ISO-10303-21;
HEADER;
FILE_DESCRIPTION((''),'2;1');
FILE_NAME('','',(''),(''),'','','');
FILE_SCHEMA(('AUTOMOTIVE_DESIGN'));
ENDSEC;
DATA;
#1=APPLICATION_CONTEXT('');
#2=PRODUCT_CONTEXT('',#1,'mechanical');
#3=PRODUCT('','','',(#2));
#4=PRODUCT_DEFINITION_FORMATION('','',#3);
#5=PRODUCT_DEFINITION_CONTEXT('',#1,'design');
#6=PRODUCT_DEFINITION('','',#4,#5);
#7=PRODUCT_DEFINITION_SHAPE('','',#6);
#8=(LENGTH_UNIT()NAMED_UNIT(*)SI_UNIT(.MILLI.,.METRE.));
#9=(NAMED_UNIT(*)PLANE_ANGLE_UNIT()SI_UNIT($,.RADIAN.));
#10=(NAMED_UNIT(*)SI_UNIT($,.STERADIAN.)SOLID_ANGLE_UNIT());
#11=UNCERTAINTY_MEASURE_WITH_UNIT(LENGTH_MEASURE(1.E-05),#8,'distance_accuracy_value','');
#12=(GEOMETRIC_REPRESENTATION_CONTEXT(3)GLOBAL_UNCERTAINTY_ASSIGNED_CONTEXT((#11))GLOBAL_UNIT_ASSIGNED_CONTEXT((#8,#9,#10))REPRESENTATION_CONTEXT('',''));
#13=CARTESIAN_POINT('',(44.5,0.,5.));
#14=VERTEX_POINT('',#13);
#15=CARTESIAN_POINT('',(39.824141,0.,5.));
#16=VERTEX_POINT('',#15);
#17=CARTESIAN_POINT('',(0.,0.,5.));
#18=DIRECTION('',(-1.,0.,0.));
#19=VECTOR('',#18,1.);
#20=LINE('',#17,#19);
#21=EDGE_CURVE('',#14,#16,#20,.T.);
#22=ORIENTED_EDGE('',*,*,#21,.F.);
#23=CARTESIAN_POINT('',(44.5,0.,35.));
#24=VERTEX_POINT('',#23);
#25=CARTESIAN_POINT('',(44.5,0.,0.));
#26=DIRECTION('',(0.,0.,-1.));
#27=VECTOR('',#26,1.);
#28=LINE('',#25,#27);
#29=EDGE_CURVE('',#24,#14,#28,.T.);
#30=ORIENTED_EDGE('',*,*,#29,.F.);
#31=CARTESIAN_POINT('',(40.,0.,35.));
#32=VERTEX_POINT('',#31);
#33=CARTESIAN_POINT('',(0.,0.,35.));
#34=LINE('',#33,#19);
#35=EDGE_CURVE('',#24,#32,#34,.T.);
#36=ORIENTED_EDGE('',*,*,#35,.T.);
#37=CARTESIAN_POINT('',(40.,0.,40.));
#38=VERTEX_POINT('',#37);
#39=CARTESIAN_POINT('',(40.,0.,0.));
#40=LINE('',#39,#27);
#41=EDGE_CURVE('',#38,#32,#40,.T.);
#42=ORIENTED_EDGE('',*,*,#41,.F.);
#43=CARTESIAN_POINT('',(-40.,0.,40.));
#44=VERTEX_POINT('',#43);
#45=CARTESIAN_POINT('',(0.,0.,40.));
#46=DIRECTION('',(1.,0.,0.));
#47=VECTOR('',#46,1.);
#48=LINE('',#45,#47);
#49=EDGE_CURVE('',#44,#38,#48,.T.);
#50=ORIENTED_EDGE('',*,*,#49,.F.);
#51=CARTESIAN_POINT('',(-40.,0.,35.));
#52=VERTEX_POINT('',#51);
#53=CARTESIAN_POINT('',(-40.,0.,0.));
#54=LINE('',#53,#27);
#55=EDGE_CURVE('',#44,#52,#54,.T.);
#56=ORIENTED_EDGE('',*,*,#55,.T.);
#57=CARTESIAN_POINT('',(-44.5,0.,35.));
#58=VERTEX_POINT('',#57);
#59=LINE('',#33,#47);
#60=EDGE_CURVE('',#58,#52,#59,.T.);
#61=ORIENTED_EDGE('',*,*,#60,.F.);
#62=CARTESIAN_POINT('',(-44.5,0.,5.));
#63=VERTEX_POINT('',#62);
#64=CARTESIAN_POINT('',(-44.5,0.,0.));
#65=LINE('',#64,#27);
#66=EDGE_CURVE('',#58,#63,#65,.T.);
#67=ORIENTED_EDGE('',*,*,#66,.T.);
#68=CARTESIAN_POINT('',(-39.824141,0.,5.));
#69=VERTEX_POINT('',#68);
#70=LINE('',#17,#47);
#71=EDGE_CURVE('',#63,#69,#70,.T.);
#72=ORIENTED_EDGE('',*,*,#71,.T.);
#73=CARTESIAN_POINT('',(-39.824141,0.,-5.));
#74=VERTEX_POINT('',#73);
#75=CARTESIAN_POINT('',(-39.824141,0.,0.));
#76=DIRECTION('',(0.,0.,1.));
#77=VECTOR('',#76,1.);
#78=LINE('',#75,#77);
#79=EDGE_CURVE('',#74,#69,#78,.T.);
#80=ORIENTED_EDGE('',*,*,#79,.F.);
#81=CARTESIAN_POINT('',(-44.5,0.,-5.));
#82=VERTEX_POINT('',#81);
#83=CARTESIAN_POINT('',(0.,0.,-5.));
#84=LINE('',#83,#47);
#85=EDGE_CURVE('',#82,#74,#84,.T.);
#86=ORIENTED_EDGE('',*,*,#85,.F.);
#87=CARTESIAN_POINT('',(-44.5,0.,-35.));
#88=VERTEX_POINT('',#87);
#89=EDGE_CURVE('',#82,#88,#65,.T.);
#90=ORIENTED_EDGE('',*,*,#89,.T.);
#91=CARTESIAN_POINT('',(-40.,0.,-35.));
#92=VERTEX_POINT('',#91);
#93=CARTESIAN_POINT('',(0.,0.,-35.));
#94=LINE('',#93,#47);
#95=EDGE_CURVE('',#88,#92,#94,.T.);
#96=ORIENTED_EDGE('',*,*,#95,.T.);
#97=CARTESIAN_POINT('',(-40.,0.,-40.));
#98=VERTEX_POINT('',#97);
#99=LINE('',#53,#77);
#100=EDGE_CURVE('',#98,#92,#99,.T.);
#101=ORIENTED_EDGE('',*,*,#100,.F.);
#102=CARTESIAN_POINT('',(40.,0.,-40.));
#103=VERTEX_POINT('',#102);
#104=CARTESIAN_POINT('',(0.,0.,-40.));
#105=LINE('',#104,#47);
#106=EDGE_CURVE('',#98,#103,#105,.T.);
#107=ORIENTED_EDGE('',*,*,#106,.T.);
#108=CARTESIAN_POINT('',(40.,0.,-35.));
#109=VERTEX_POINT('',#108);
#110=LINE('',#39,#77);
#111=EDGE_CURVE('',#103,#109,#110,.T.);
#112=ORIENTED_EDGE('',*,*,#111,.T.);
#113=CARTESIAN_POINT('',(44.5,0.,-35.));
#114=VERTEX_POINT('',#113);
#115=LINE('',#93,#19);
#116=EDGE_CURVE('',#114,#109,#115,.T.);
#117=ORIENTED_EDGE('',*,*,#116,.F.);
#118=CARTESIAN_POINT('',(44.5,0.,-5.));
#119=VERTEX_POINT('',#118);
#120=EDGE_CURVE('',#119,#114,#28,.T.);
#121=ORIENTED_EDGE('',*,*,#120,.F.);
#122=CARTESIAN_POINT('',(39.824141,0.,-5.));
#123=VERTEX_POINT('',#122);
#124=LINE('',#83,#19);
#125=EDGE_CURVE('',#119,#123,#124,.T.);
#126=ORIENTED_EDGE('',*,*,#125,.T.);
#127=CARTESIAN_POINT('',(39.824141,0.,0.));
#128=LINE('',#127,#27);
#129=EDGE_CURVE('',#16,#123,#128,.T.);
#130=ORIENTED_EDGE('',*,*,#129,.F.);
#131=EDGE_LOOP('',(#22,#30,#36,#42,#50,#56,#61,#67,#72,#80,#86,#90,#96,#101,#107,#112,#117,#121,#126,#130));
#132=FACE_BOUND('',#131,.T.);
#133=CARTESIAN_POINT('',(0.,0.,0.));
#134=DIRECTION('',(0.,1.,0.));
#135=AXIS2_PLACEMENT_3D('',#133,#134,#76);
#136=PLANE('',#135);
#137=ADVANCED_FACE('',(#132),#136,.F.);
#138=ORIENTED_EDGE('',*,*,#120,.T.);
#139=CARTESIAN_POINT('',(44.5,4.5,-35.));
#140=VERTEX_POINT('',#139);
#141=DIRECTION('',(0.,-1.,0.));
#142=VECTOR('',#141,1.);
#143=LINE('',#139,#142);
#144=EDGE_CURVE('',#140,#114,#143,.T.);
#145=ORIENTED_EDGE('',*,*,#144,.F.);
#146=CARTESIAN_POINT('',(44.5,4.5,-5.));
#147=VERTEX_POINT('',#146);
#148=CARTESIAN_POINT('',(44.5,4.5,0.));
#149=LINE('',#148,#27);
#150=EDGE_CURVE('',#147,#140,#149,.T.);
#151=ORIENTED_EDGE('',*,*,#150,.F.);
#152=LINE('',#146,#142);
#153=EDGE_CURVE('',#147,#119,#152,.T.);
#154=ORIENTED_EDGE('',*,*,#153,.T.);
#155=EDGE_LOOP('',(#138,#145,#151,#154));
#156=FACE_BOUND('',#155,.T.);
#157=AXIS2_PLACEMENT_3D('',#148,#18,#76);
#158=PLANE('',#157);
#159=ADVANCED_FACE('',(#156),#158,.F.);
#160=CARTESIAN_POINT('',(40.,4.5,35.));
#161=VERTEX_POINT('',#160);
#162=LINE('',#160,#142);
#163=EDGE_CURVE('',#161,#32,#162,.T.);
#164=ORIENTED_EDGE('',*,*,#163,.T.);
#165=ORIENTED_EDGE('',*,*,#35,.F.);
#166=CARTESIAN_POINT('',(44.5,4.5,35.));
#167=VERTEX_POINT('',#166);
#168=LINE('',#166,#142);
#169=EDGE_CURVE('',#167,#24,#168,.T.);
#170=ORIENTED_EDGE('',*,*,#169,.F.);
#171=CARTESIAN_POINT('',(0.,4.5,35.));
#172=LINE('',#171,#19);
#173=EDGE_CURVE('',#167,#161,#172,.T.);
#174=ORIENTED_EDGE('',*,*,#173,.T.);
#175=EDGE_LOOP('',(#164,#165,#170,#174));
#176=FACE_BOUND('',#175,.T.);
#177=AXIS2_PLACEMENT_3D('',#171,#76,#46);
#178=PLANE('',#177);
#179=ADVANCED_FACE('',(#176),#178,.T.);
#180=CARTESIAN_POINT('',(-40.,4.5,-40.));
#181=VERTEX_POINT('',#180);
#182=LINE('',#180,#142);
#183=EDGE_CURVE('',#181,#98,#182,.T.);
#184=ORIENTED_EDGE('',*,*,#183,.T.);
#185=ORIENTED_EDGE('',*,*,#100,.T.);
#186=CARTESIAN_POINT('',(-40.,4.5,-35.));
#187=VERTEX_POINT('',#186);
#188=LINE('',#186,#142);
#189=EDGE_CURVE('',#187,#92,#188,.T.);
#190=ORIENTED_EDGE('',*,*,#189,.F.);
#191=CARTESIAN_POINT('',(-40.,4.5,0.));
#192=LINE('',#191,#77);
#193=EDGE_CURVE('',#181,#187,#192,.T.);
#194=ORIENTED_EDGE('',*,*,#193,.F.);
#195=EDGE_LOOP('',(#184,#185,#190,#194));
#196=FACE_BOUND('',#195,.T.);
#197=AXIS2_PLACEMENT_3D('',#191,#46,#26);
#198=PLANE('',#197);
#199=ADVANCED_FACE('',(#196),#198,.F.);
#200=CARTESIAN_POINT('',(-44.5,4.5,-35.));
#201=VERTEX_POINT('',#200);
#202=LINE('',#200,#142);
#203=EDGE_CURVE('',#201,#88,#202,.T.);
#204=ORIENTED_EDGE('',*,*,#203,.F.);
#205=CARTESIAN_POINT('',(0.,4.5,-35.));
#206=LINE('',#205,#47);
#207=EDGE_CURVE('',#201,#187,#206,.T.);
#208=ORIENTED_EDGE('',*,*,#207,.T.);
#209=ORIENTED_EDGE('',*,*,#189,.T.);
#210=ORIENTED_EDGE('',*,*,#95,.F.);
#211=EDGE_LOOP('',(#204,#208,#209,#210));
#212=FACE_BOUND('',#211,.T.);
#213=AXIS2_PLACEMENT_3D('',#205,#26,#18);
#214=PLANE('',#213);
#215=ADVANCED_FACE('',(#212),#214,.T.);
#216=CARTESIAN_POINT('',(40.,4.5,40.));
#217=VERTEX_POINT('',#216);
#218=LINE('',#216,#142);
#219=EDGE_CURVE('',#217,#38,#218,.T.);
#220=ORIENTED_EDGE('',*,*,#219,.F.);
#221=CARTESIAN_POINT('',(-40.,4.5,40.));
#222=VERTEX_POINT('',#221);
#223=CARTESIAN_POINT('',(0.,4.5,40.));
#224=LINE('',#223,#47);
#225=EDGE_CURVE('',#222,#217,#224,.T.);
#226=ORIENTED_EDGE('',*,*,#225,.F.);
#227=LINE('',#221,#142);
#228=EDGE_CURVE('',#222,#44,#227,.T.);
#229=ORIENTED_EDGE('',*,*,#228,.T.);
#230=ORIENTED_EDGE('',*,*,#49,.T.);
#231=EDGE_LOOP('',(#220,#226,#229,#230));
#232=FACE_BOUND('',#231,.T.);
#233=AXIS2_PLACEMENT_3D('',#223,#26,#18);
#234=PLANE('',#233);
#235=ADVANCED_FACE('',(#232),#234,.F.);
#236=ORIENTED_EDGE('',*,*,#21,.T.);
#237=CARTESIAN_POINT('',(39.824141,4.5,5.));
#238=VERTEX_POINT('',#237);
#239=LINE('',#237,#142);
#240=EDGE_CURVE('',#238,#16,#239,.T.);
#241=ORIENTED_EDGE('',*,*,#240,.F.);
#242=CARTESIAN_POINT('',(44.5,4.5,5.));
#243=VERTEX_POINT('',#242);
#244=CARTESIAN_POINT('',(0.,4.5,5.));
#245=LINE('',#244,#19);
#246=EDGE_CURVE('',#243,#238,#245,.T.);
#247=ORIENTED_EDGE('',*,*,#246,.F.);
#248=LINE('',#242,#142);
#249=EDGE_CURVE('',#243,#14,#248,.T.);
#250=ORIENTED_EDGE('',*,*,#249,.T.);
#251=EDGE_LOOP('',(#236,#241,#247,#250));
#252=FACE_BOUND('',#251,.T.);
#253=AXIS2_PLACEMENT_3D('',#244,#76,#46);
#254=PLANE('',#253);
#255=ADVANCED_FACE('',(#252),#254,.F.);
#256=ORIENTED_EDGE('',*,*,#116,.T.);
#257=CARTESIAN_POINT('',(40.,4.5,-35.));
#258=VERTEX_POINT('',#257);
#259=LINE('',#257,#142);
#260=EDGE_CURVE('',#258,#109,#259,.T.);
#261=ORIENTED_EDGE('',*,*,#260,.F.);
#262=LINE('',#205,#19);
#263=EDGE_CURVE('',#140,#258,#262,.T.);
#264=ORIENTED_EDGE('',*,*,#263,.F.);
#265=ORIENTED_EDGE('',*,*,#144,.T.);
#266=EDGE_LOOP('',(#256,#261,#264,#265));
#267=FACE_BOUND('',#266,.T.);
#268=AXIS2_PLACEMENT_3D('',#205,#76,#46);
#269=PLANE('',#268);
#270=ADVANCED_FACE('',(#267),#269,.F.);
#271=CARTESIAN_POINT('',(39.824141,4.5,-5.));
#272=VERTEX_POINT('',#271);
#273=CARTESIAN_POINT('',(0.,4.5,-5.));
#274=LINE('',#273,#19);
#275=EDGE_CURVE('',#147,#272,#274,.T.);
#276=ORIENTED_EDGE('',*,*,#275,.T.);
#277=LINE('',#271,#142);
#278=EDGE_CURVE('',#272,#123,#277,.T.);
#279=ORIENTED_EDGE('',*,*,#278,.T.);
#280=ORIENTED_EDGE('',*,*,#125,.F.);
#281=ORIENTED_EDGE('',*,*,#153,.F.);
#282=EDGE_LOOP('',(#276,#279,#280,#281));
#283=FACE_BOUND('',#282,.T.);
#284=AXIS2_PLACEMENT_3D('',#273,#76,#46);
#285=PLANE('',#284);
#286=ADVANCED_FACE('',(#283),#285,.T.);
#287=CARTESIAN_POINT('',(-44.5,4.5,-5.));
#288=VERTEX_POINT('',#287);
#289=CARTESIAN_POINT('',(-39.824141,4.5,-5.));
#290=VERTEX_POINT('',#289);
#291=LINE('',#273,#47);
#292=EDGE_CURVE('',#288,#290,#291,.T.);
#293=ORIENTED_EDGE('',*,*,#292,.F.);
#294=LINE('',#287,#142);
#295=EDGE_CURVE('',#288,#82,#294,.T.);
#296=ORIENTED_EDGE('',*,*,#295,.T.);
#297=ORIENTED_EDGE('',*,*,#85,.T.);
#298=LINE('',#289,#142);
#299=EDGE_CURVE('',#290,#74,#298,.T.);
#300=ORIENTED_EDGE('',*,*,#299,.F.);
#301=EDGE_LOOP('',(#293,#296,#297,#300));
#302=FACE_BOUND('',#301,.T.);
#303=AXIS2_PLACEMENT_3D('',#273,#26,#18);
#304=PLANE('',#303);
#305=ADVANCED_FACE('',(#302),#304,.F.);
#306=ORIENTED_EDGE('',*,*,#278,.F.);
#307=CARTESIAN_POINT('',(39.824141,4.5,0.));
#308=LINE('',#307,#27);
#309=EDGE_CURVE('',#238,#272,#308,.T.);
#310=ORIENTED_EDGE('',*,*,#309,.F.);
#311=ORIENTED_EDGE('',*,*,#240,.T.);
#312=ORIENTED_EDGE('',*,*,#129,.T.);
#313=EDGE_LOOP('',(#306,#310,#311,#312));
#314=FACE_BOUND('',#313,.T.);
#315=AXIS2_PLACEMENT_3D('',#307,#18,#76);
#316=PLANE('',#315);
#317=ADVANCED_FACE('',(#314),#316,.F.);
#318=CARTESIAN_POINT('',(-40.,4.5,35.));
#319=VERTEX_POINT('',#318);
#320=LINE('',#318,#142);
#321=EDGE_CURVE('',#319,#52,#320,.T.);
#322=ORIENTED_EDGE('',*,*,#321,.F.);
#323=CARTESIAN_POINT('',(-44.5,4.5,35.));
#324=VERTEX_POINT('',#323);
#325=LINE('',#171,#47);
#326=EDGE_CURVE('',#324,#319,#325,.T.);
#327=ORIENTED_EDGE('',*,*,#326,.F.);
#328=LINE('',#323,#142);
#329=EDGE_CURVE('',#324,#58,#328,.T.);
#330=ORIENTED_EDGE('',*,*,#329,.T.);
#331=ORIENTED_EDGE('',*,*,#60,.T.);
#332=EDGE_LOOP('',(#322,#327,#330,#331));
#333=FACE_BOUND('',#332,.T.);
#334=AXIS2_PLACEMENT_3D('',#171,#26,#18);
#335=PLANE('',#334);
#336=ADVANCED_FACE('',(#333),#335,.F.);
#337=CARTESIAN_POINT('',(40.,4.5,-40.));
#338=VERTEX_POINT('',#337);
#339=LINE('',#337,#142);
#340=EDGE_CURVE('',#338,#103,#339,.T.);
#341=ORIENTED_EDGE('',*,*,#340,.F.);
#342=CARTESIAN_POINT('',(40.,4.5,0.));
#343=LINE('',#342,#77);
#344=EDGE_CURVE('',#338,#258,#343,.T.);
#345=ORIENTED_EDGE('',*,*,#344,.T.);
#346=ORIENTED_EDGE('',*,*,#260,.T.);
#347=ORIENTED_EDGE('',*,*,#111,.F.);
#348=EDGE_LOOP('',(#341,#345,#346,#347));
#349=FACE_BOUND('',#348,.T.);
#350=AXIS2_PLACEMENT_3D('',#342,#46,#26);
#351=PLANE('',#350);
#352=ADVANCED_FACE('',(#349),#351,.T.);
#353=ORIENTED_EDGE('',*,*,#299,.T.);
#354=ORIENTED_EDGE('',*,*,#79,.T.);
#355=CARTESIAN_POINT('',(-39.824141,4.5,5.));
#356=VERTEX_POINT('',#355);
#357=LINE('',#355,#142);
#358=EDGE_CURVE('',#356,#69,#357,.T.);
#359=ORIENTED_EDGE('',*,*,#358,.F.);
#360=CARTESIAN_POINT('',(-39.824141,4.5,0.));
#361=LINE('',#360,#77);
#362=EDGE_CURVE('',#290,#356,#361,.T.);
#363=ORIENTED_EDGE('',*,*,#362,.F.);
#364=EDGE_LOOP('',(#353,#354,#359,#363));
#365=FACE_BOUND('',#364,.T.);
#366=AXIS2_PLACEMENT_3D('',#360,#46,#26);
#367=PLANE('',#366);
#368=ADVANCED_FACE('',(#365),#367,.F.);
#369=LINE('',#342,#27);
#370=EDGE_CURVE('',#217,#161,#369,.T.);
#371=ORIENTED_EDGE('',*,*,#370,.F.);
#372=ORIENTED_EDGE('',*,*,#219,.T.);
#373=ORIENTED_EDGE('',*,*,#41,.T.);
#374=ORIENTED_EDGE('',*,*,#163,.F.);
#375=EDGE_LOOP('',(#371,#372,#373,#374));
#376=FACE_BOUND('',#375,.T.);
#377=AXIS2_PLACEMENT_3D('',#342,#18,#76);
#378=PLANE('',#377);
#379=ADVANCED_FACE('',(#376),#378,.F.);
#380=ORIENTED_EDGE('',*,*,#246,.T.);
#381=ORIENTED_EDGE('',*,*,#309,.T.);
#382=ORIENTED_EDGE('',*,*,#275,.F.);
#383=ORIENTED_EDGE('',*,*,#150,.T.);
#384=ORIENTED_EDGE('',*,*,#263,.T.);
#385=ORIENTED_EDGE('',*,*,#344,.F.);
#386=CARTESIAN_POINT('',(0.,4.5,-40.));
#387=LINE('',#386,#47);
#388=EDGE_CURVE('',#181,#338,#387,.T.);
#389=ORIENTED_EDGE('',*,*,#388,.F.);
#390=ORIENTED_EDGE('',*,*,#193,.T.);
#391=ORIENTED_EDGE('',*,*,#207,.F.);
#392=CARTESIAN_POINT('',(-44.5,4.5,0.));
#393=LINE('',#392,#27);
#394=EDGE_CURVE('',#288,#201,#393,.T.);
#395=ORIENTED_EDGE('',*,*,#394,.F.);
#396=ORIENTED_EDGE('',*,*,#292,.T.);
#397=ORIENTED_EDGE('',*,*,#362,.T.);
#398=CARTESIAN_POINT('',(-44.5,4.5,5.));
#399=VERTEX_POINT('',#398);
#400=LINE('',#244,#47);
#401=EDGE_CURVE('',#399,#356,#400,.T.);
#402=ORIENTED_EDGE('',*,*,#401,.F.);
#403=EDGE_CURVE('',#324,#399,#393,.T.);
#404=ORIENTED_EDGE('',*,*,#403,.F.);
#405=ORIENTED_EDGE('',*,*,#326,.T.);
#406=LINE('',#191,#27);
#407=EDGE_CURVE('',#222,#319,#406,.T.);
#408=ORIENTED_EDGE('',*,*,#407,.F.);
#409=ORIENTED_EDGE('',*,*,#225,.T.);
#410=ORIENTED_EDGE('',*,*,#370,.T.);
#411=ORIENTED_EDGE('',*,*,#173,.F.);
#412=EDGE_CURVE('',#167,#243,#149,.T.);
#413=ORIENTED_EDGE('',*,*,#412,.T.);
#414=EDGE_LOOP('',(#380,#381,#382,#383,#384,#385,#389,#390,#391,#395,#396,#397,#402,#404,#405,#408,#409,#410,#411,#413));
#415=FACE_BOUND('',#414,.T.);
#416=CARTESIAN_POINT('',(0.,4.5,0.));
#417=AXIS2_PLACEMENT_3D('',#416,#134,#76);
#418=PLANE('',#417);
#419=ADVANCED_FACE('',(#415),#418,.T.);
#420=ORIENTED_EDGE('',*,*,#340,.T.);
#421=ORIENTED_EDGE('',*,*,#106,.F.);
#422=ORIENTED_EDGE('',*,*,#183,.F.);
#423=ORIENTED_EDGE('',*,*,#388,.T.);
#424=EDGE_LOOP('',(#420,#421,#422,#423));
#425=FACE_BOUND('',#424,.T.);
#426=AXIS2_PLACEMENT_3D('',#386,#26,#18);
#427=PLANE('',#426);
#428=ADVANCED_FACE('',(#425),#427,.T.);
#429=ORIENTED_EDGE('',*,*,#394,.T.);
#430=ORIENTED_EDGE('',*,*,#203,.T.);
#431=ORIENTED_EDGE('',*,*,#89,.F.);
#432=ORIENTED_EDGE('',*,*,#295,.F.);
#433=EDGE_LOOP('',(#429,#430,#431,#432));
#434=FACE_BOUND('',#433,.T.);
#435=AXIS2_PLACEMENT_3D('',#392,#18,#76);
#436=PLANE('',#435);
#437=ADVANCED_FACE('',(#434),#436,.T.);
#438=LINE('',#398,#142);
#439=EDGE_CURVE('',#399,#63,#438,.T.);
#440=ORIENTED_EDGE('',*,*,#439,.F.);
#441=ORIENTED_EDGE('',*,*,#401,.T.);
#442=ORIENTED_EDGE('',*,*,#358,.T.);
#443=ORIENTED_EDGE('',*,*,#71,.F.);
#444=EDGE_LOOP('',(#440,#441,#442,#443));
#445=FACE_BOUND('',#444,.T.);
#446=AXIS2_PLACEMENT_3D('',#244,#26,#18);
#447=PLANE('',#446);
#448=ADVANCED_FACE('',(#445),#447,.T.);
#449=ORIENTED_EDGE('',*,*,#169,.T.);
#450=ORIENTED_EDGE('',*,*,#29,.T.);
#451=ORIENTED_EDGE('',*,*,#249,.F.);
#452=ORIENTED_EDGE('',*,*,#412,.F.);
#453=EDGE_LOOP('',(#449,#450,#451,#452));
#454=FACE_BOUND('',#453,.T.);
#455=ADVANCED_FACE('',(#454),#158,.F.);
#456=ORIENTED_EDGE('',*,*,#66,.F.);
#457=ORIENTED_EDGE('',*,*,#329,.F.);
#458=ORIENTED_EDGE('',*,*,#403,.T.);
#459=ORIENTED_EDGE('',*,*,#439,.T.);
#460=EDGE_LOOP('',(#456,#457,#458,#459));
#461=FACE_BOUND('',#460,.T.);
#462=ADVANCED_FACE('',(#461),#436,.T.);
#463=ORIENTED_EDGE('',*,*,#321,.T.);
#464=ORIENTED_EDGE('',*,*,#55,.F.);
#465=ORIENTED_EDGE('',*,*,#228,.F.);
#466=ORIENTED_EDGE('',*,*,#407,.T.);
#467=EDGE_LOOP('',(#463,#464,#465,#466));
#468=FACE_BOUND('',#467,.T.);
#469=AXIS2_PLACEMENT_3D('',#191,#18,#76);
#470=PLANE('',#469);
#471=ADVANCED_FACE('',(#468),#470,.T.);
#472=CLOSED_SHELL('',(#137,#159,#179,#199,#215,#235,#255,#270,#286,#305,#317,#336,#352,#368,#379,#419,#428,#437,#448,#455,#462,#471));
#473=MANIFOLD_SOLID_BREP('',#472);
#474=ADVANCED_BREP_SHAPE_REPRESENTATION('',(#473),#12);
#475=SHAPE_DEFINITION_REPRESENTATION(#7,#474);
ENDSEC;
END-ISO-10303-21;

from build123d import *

# Parameters (mm, degrees)
BOSS_EXTRUDE1_DEPTH = 4.5


with BuildPart() as part:
    # Sketch1 → Boss-Extrude1 (new body)
    with BuildSketch(Plane(origin=(0, 0, 0), x_dir=(1, 0, 0), z_dir=(0, 1, 0))):
        Polygon((-40, -35), (-40, -40), (39.824141272, -40), (40, -40), (40, -35), (44.5, -35), (44.5, -32.917902443), (44.5, -5), (39.824141272, -5), (39.824141272, 0), (39.824141272, 5), (44.5, 5), (44.5, 35), (40, 35), (40, 40), (-40, 40), (-40, 35), (-44.5, 35), (-44.5, 5), (-39.824141272, 5), (-39.824141272, 0), (-39.824141272, -5), (-44.5, -5), (-44.5, -35), align=None)
    extrude(amount=BOSS_EXTRUDE1_DEPTH)


solid = part.part
